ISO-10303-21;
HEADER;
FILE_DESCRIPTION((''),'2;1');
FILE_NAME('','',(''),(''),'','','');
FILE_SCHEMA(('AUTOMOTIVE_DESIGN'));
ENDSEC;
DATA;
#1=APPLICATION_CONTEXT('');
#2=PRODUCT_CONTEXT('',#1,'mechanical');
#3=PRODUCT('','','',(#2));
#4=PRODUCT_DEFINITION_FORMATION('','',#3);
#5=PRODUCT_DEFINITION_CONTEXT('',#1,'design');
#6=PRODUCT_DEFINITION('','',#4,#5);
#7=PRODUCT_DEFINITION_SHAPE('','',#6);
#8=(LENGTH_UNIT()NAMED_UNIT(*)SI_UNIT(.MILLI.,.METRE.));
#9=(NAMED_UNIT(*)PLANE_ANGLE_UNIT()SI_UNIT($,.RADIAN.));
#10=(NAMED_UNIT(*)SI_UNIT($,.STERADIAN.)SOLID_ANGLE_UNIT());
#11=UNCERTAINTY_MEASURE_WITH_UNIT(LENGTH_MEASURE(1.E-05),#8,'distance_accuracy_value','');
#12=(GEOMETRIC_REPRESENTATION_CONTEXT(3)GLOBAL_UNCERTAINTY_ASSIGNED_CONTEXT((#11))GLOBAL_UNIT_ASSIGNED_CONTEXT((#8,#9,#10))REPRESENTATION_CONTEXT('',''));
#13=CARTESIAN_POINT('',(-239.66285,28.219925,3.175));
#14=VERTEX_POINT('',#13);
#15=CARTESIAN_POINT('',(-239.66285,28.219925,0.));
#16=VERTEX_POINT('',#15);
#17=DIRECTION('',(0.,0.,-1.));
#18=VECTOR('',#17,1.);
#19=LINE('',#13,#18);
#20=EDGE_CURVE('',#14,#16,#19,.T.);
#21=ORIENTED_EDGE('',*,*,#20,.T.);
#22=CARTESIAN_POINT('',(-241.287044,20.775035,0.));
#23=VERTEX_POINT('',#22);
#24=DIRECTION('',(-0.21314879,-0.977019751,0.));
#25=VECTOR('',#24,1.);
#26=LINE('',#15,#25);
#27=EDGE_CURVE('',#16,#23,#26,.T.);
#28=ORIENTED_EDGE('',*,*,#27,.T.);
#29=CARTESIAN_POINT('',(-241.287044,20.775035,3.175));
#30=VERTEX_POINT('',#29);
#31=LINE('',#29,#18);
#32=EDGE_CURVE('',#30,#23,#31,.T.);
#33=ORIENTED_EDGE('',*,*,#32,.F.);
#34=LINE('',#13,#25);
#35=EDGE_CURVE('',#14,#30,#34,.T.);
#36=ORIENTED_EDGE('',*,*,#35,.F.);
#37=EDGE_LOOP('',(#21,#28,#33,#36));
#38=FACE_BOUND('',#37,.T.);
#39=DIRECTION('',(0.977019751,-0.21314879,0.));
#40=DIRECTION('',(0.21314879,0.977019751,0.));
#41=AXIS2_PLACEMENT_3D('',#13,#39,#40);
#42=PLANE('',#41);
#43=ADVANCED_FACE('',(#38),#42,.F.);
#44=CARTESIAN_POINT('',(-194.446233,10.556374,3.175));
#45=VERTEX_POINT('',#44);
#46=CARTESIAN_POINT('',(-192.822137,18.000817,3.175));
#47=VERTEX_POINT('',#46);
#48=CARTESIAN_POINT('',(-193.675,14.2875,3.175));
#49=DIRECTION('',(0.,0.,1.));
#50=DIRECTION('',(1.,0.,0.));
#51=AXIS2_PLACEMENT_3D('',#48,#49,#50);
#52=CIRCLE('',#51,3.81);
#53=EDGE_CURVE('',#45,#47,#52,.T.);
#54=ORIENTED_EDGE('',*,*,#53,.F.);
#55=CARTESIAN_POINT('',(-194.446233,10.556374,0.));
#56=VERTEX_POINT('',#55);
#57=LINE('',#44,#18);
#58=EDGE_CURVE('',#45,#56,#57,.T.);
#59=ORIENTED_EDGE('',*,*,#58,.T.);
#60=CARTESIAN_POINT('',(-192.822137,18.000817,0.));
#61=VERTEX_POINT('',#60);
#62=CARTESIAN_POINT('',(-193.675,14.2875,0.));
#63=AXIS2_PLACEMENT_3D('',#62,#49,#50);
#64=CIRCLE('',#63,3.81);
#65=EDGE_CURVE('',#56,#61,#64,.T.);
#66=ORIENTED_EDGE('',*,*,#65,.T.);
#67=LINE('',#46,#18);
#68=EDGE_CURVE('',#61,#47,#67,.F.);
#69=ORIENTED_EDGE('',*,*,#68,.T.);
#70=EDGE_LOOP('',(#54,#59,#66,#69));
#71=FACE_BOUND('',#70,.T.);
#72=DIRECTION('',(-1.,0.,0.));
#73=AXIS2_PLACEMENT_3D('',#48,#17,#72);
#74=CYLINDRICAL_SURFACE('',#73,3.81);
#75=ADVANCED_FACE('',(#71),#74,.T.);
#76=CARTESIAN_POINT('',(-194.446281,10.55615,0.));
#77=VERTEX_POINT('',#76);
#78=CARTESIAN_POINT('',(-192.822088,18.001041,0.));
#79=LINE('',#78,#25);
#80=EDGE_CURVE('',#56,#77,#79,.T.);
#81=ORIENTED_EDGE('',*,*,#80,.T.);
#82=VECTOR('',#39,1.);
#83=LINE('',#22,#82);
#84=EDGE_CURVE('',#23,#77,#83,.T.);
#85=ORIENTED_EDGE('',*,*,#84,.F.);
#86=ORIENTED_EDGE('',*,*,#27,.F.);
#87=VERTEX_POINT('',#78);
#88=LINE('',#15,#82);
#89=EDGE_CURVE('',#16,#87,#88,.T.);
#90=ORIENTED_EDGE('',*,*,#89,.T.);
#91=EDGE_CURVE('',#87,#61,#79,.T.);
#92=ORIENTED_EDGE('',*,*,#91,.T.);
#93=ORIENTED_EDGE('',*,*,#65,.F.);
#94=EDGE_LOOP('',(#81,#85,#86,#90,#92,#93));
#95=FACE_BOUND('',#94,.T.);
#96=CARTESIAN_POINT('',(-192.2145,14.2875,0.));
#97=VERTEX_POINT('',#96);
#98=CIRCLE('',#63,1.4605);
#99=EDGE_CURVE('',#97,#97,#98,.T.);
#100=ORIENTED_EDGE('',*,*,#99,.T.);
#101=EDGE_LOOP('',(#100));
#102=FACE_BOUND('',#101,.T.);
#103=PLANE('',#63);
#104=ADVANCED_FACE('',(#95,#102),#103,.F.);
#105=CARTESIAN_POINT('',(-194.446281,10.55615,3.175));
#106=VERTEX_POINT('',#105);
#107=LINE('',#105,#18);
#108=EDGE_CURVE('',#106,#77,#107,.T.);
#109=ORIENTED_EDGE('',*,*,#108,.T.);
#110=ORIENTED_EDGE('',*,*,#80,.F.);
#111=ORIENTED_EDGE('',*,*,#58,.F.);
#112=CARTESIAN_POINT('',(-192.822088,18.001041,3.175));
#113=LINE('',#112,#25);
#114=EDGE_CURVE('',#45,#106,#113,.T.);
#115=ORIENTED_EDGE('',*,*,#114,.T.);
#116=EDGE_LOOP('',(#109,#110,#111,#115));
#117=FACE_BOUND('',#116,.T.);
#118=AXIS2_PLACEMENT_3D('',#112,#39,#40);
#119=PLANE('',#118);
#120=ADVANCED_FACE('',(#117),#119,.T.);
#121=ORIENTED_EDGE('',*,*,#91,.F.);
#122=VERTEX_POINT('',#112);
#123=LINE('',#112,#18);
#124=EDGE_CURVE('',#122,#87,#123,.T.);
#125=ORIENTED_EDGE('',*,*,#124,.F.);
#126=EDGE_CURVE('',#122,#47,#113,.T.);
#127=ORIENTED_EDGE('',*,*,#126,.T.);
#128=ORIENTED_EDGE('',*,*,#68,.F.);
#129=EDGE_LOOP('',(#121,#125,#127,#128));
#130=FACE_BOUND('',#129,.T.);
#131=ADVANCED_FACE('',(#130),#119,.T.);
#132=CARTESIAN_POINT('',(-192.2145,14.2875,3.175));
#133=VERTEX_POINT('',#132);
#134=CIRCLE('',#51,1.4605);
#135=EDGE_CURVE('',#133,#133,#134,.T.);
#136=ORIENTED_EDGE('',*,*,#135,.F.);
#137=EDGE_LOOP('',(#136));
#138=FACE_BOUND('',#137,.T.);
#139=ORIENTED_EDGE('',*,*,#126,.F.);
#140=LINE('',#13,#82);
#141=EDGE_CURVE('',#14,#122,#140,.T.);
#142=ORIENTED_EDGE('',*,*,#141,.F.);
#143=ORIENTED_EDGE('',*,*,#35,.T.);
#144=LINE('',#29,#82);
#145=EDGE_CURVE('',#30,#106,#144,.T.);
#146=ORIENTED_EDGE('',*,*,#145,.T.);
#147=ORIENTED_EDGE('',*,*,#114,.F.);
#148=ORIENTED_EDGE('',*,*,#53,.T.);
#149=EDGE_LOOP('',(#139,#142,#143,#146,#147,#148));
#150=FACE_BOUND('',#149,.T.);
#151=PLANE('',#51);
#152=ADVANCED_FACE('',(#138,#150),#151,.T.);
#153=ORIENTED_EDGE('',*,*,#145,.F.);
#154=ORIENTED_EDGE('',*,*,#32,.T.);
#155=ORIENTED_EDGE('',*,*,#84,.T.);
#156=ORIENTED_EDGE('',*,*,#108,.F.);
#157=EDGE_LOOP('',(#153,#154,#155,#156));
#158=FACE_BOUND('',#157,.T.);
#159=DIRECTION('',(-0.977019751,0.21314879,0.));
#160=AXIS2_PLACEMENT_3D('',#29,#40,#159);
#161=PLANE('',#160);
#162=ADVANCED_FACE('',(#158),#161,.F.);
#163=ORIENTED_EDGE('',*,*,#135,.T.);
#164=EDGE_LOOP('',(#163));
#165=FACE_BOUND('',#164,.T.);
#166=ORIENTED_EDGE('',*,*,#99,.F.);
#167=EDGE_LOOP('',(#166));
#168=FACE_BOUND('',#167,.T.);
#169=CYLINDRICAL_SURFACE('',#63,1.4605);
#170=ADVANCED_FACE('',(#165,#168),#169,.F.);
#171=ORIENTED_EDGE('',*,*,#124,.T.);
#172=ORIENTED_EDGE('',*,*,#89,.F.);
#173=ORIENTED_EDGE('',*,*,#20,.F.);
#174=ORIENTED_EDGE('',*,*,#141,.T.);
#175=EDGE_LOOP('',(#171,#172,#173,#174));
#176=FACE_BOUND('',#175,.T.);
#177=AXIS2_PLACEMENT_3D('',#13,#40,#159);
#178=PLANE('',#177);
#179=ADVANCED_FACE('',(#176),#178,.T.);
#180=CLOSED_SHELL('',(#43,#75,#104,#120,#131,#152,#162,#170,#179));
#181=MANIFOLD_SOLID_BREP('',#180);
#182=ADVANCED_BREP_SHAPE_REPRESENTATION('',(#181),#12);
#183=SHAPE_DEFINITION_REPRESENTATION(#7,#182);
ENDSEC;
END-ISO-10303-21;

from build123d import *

# Parameters (mm, degrees)
SKETCH2_R           = 3.81
BOSS_EXTRUDE1_DEPTH = 3.175
SKETCH3_R           = 1.4605
CUT_EXTRUDE1_DEPTH  = 3.175


with BuildPart() as part:
    # Sketch2 → Boss-Extrude1 (new body)
    with BuildSketch(Plane.XY):
        with Locations((-193.675, 14.2875)):
            Circle(SKETCH2_R)
        Polygon((-239.6628502, 28.219925218), (-241.287043978, 20.775034718), (-194.44628148, 10.556150371), (-192.822087702, 18.001040872), align=None)
    extrude(amount=BOSS_EXTRUDE1_DEPTH)

    # Sketch3 → Cut-Extrude1 (cut)
    with BuildSketch(Plane.XY.offset(3.175)):
        with Locations((-193.675, 14.2875)):
            Circle(SKETCH3_R)
    extrude(amount=-CUT_EXTRUDE1_DEPTH, mode=Mode.SUBTRACT)


solid = part.part
